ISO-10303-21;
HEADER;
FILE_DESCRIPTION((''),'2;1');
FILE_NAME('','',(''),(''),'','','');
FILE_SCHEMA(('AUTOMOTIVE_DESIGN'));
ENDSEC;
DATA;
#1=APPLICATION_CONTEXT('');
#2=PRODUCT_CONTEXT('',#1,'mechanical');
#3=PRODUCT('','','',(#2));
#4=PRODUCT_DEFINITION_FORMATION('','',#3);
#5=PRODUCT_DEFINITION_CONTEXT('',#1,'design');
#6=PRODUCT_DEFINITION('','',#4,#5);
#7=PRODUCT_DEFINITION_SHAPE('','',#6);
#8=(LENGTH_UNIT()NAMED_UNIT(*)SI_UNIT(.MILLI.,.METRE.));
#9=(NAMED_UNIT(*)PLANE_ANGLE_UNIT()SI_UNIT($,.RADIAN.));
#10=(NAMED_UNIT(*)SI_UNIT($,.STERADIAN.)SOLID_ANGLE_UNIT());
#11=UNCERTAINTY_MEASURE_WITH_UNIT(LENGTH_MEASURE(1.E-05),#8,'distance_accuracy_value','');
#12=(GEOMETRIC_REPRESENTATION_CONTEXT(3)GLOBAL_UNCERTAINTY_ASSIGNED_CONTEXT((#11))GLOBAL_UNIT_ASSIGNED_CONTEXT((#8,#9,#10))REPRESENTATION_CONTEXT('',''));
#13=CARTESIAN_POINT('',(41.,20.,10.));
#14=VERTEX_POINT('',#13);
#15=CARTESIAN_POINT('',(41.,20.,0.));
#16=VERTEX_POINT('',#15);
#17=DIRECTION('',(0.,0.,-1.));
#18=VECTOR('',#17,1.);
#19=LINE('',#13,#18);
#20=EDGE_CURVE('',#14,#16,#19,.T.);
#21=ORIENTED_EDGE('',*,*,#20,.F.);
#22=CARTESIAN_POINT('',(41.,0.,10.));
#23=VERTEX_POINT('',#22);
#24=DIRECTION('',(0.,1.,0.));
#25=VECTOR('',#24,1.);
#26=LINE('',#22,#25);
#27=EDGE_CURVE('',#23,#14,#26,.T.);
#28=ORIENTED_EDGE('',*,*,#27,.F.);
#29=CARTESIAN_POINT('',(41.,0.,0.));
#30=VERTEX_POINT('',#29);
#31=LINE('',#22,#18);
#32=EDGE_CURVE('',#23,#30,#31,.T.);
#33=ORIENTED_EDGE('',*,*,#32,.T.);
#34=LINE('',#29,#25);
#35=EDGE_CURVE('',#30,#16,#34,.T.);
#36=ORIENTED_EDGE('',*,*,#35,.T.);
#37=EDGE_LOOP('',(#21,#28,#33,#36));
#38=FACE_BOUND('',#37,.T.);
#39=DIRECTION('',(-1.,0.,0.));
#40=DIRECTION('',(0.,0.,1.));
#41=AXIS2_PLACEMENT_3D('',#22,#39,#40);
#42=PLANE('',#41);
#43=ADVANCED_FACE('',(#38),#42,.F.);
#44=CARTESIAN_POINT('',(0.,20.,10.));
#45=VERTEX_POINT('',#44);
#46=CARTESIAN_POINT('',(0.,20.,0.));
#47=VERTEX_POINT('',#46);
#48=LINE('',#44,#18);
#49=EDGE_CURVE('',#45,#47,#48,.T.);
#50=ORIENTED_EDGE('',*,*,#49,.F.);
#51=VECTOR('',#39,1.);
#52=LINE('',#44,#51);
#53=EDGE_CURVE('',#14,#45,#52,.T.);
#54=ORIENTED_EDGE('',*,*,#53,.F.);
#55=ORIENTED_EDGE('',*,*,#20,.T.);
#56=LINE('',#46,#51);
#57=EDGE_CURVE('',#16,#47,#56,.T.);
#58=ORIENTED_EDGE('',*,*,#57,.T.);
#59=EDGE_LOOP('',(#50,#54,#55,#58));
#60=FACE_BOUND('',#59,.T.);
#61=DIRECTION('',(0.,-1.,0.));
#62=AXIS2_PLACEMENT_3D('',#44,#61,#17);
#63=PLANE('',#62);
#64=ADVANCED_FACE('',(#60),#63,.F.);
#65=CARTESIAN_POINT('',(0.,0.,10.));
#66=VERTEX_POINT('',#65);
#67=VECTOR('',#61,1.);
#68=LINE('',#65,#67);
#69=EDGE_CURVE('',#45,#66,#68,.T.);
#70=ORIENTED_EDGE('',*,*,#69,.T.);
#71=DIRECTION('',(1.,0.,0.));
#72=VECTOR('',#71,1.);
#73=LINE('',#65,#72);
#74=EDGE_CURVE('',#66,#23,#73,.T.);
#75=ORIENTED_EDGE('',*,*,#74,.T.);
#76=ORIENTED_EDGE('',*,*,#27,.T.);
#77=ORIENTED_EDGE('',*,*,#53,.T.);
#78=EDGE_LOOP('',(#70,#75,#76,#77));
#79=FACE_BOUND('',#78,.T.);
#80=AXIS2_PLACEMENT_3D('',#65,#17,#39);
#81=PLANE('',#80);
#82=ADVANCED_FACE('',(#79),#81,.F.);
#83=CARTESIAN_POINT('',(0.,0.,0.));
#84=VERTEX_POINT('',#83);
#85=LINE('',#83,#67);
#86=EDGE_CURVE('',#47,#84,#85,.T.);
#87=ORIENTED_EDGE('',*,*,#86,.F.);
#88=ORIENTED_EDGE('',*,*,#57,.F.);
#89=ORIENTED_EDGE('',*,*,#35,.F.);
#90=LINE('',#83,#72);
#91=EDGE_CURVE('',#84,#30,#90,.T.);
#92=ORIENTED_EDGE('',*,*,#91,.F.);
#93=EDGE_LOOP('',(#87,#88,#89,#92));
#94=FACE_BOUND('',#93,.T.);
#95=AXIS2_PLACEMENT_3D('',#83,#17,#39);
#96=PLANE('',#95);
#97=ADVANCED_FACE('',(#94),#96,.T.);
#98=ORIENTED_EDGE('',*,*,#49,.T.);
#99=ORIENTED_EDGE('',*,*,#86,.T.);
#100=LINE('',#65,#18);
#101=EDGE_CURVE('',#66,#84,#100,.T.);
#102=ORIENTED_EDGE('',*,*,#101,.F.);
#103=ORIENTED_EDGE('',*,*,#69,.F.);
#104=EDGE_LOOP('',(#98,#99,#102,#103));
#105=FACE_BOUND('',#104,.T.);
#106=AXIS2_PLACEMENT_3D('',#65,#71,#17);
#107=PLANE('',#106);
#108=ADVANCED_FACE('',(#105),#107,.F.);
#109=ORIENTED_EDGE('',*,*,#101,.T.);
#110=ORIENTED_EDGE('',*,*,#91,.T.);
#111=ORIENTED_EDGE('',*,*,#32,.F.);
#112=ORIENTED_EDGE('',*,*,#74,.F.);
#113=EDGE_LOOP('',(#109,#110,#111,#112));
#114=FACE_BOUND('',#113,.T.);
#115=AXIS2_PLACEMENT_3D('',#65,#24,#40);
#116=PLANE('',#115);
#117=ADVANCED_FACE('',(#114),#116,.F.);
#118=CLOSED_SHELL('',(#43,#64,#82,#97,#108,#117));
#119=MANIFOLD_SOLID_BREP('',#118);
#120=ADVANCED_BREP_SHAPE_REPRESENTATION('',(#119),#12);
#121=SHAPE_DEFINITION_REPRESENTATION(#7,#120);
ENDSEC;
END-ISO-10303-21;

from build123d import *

# Parameters (mm, degrees)
RECTANGLESKETCH_W = 41
RECTANGLESKETCH_H = 20
BLINDBOSS_DEPTH   = 10


with BuildPart() as part:
    # RectangleSketch → BlindBoss (new body)
    with BuildSketch(Plane.XY):
        with Locations((20.5, 10)):
            Rectangle(RECTANGLESKETCH_W, RECTANGLESKETCH_H)
    extrude(amount=BLINDBOSS_DEPTH)


solid = part.part
